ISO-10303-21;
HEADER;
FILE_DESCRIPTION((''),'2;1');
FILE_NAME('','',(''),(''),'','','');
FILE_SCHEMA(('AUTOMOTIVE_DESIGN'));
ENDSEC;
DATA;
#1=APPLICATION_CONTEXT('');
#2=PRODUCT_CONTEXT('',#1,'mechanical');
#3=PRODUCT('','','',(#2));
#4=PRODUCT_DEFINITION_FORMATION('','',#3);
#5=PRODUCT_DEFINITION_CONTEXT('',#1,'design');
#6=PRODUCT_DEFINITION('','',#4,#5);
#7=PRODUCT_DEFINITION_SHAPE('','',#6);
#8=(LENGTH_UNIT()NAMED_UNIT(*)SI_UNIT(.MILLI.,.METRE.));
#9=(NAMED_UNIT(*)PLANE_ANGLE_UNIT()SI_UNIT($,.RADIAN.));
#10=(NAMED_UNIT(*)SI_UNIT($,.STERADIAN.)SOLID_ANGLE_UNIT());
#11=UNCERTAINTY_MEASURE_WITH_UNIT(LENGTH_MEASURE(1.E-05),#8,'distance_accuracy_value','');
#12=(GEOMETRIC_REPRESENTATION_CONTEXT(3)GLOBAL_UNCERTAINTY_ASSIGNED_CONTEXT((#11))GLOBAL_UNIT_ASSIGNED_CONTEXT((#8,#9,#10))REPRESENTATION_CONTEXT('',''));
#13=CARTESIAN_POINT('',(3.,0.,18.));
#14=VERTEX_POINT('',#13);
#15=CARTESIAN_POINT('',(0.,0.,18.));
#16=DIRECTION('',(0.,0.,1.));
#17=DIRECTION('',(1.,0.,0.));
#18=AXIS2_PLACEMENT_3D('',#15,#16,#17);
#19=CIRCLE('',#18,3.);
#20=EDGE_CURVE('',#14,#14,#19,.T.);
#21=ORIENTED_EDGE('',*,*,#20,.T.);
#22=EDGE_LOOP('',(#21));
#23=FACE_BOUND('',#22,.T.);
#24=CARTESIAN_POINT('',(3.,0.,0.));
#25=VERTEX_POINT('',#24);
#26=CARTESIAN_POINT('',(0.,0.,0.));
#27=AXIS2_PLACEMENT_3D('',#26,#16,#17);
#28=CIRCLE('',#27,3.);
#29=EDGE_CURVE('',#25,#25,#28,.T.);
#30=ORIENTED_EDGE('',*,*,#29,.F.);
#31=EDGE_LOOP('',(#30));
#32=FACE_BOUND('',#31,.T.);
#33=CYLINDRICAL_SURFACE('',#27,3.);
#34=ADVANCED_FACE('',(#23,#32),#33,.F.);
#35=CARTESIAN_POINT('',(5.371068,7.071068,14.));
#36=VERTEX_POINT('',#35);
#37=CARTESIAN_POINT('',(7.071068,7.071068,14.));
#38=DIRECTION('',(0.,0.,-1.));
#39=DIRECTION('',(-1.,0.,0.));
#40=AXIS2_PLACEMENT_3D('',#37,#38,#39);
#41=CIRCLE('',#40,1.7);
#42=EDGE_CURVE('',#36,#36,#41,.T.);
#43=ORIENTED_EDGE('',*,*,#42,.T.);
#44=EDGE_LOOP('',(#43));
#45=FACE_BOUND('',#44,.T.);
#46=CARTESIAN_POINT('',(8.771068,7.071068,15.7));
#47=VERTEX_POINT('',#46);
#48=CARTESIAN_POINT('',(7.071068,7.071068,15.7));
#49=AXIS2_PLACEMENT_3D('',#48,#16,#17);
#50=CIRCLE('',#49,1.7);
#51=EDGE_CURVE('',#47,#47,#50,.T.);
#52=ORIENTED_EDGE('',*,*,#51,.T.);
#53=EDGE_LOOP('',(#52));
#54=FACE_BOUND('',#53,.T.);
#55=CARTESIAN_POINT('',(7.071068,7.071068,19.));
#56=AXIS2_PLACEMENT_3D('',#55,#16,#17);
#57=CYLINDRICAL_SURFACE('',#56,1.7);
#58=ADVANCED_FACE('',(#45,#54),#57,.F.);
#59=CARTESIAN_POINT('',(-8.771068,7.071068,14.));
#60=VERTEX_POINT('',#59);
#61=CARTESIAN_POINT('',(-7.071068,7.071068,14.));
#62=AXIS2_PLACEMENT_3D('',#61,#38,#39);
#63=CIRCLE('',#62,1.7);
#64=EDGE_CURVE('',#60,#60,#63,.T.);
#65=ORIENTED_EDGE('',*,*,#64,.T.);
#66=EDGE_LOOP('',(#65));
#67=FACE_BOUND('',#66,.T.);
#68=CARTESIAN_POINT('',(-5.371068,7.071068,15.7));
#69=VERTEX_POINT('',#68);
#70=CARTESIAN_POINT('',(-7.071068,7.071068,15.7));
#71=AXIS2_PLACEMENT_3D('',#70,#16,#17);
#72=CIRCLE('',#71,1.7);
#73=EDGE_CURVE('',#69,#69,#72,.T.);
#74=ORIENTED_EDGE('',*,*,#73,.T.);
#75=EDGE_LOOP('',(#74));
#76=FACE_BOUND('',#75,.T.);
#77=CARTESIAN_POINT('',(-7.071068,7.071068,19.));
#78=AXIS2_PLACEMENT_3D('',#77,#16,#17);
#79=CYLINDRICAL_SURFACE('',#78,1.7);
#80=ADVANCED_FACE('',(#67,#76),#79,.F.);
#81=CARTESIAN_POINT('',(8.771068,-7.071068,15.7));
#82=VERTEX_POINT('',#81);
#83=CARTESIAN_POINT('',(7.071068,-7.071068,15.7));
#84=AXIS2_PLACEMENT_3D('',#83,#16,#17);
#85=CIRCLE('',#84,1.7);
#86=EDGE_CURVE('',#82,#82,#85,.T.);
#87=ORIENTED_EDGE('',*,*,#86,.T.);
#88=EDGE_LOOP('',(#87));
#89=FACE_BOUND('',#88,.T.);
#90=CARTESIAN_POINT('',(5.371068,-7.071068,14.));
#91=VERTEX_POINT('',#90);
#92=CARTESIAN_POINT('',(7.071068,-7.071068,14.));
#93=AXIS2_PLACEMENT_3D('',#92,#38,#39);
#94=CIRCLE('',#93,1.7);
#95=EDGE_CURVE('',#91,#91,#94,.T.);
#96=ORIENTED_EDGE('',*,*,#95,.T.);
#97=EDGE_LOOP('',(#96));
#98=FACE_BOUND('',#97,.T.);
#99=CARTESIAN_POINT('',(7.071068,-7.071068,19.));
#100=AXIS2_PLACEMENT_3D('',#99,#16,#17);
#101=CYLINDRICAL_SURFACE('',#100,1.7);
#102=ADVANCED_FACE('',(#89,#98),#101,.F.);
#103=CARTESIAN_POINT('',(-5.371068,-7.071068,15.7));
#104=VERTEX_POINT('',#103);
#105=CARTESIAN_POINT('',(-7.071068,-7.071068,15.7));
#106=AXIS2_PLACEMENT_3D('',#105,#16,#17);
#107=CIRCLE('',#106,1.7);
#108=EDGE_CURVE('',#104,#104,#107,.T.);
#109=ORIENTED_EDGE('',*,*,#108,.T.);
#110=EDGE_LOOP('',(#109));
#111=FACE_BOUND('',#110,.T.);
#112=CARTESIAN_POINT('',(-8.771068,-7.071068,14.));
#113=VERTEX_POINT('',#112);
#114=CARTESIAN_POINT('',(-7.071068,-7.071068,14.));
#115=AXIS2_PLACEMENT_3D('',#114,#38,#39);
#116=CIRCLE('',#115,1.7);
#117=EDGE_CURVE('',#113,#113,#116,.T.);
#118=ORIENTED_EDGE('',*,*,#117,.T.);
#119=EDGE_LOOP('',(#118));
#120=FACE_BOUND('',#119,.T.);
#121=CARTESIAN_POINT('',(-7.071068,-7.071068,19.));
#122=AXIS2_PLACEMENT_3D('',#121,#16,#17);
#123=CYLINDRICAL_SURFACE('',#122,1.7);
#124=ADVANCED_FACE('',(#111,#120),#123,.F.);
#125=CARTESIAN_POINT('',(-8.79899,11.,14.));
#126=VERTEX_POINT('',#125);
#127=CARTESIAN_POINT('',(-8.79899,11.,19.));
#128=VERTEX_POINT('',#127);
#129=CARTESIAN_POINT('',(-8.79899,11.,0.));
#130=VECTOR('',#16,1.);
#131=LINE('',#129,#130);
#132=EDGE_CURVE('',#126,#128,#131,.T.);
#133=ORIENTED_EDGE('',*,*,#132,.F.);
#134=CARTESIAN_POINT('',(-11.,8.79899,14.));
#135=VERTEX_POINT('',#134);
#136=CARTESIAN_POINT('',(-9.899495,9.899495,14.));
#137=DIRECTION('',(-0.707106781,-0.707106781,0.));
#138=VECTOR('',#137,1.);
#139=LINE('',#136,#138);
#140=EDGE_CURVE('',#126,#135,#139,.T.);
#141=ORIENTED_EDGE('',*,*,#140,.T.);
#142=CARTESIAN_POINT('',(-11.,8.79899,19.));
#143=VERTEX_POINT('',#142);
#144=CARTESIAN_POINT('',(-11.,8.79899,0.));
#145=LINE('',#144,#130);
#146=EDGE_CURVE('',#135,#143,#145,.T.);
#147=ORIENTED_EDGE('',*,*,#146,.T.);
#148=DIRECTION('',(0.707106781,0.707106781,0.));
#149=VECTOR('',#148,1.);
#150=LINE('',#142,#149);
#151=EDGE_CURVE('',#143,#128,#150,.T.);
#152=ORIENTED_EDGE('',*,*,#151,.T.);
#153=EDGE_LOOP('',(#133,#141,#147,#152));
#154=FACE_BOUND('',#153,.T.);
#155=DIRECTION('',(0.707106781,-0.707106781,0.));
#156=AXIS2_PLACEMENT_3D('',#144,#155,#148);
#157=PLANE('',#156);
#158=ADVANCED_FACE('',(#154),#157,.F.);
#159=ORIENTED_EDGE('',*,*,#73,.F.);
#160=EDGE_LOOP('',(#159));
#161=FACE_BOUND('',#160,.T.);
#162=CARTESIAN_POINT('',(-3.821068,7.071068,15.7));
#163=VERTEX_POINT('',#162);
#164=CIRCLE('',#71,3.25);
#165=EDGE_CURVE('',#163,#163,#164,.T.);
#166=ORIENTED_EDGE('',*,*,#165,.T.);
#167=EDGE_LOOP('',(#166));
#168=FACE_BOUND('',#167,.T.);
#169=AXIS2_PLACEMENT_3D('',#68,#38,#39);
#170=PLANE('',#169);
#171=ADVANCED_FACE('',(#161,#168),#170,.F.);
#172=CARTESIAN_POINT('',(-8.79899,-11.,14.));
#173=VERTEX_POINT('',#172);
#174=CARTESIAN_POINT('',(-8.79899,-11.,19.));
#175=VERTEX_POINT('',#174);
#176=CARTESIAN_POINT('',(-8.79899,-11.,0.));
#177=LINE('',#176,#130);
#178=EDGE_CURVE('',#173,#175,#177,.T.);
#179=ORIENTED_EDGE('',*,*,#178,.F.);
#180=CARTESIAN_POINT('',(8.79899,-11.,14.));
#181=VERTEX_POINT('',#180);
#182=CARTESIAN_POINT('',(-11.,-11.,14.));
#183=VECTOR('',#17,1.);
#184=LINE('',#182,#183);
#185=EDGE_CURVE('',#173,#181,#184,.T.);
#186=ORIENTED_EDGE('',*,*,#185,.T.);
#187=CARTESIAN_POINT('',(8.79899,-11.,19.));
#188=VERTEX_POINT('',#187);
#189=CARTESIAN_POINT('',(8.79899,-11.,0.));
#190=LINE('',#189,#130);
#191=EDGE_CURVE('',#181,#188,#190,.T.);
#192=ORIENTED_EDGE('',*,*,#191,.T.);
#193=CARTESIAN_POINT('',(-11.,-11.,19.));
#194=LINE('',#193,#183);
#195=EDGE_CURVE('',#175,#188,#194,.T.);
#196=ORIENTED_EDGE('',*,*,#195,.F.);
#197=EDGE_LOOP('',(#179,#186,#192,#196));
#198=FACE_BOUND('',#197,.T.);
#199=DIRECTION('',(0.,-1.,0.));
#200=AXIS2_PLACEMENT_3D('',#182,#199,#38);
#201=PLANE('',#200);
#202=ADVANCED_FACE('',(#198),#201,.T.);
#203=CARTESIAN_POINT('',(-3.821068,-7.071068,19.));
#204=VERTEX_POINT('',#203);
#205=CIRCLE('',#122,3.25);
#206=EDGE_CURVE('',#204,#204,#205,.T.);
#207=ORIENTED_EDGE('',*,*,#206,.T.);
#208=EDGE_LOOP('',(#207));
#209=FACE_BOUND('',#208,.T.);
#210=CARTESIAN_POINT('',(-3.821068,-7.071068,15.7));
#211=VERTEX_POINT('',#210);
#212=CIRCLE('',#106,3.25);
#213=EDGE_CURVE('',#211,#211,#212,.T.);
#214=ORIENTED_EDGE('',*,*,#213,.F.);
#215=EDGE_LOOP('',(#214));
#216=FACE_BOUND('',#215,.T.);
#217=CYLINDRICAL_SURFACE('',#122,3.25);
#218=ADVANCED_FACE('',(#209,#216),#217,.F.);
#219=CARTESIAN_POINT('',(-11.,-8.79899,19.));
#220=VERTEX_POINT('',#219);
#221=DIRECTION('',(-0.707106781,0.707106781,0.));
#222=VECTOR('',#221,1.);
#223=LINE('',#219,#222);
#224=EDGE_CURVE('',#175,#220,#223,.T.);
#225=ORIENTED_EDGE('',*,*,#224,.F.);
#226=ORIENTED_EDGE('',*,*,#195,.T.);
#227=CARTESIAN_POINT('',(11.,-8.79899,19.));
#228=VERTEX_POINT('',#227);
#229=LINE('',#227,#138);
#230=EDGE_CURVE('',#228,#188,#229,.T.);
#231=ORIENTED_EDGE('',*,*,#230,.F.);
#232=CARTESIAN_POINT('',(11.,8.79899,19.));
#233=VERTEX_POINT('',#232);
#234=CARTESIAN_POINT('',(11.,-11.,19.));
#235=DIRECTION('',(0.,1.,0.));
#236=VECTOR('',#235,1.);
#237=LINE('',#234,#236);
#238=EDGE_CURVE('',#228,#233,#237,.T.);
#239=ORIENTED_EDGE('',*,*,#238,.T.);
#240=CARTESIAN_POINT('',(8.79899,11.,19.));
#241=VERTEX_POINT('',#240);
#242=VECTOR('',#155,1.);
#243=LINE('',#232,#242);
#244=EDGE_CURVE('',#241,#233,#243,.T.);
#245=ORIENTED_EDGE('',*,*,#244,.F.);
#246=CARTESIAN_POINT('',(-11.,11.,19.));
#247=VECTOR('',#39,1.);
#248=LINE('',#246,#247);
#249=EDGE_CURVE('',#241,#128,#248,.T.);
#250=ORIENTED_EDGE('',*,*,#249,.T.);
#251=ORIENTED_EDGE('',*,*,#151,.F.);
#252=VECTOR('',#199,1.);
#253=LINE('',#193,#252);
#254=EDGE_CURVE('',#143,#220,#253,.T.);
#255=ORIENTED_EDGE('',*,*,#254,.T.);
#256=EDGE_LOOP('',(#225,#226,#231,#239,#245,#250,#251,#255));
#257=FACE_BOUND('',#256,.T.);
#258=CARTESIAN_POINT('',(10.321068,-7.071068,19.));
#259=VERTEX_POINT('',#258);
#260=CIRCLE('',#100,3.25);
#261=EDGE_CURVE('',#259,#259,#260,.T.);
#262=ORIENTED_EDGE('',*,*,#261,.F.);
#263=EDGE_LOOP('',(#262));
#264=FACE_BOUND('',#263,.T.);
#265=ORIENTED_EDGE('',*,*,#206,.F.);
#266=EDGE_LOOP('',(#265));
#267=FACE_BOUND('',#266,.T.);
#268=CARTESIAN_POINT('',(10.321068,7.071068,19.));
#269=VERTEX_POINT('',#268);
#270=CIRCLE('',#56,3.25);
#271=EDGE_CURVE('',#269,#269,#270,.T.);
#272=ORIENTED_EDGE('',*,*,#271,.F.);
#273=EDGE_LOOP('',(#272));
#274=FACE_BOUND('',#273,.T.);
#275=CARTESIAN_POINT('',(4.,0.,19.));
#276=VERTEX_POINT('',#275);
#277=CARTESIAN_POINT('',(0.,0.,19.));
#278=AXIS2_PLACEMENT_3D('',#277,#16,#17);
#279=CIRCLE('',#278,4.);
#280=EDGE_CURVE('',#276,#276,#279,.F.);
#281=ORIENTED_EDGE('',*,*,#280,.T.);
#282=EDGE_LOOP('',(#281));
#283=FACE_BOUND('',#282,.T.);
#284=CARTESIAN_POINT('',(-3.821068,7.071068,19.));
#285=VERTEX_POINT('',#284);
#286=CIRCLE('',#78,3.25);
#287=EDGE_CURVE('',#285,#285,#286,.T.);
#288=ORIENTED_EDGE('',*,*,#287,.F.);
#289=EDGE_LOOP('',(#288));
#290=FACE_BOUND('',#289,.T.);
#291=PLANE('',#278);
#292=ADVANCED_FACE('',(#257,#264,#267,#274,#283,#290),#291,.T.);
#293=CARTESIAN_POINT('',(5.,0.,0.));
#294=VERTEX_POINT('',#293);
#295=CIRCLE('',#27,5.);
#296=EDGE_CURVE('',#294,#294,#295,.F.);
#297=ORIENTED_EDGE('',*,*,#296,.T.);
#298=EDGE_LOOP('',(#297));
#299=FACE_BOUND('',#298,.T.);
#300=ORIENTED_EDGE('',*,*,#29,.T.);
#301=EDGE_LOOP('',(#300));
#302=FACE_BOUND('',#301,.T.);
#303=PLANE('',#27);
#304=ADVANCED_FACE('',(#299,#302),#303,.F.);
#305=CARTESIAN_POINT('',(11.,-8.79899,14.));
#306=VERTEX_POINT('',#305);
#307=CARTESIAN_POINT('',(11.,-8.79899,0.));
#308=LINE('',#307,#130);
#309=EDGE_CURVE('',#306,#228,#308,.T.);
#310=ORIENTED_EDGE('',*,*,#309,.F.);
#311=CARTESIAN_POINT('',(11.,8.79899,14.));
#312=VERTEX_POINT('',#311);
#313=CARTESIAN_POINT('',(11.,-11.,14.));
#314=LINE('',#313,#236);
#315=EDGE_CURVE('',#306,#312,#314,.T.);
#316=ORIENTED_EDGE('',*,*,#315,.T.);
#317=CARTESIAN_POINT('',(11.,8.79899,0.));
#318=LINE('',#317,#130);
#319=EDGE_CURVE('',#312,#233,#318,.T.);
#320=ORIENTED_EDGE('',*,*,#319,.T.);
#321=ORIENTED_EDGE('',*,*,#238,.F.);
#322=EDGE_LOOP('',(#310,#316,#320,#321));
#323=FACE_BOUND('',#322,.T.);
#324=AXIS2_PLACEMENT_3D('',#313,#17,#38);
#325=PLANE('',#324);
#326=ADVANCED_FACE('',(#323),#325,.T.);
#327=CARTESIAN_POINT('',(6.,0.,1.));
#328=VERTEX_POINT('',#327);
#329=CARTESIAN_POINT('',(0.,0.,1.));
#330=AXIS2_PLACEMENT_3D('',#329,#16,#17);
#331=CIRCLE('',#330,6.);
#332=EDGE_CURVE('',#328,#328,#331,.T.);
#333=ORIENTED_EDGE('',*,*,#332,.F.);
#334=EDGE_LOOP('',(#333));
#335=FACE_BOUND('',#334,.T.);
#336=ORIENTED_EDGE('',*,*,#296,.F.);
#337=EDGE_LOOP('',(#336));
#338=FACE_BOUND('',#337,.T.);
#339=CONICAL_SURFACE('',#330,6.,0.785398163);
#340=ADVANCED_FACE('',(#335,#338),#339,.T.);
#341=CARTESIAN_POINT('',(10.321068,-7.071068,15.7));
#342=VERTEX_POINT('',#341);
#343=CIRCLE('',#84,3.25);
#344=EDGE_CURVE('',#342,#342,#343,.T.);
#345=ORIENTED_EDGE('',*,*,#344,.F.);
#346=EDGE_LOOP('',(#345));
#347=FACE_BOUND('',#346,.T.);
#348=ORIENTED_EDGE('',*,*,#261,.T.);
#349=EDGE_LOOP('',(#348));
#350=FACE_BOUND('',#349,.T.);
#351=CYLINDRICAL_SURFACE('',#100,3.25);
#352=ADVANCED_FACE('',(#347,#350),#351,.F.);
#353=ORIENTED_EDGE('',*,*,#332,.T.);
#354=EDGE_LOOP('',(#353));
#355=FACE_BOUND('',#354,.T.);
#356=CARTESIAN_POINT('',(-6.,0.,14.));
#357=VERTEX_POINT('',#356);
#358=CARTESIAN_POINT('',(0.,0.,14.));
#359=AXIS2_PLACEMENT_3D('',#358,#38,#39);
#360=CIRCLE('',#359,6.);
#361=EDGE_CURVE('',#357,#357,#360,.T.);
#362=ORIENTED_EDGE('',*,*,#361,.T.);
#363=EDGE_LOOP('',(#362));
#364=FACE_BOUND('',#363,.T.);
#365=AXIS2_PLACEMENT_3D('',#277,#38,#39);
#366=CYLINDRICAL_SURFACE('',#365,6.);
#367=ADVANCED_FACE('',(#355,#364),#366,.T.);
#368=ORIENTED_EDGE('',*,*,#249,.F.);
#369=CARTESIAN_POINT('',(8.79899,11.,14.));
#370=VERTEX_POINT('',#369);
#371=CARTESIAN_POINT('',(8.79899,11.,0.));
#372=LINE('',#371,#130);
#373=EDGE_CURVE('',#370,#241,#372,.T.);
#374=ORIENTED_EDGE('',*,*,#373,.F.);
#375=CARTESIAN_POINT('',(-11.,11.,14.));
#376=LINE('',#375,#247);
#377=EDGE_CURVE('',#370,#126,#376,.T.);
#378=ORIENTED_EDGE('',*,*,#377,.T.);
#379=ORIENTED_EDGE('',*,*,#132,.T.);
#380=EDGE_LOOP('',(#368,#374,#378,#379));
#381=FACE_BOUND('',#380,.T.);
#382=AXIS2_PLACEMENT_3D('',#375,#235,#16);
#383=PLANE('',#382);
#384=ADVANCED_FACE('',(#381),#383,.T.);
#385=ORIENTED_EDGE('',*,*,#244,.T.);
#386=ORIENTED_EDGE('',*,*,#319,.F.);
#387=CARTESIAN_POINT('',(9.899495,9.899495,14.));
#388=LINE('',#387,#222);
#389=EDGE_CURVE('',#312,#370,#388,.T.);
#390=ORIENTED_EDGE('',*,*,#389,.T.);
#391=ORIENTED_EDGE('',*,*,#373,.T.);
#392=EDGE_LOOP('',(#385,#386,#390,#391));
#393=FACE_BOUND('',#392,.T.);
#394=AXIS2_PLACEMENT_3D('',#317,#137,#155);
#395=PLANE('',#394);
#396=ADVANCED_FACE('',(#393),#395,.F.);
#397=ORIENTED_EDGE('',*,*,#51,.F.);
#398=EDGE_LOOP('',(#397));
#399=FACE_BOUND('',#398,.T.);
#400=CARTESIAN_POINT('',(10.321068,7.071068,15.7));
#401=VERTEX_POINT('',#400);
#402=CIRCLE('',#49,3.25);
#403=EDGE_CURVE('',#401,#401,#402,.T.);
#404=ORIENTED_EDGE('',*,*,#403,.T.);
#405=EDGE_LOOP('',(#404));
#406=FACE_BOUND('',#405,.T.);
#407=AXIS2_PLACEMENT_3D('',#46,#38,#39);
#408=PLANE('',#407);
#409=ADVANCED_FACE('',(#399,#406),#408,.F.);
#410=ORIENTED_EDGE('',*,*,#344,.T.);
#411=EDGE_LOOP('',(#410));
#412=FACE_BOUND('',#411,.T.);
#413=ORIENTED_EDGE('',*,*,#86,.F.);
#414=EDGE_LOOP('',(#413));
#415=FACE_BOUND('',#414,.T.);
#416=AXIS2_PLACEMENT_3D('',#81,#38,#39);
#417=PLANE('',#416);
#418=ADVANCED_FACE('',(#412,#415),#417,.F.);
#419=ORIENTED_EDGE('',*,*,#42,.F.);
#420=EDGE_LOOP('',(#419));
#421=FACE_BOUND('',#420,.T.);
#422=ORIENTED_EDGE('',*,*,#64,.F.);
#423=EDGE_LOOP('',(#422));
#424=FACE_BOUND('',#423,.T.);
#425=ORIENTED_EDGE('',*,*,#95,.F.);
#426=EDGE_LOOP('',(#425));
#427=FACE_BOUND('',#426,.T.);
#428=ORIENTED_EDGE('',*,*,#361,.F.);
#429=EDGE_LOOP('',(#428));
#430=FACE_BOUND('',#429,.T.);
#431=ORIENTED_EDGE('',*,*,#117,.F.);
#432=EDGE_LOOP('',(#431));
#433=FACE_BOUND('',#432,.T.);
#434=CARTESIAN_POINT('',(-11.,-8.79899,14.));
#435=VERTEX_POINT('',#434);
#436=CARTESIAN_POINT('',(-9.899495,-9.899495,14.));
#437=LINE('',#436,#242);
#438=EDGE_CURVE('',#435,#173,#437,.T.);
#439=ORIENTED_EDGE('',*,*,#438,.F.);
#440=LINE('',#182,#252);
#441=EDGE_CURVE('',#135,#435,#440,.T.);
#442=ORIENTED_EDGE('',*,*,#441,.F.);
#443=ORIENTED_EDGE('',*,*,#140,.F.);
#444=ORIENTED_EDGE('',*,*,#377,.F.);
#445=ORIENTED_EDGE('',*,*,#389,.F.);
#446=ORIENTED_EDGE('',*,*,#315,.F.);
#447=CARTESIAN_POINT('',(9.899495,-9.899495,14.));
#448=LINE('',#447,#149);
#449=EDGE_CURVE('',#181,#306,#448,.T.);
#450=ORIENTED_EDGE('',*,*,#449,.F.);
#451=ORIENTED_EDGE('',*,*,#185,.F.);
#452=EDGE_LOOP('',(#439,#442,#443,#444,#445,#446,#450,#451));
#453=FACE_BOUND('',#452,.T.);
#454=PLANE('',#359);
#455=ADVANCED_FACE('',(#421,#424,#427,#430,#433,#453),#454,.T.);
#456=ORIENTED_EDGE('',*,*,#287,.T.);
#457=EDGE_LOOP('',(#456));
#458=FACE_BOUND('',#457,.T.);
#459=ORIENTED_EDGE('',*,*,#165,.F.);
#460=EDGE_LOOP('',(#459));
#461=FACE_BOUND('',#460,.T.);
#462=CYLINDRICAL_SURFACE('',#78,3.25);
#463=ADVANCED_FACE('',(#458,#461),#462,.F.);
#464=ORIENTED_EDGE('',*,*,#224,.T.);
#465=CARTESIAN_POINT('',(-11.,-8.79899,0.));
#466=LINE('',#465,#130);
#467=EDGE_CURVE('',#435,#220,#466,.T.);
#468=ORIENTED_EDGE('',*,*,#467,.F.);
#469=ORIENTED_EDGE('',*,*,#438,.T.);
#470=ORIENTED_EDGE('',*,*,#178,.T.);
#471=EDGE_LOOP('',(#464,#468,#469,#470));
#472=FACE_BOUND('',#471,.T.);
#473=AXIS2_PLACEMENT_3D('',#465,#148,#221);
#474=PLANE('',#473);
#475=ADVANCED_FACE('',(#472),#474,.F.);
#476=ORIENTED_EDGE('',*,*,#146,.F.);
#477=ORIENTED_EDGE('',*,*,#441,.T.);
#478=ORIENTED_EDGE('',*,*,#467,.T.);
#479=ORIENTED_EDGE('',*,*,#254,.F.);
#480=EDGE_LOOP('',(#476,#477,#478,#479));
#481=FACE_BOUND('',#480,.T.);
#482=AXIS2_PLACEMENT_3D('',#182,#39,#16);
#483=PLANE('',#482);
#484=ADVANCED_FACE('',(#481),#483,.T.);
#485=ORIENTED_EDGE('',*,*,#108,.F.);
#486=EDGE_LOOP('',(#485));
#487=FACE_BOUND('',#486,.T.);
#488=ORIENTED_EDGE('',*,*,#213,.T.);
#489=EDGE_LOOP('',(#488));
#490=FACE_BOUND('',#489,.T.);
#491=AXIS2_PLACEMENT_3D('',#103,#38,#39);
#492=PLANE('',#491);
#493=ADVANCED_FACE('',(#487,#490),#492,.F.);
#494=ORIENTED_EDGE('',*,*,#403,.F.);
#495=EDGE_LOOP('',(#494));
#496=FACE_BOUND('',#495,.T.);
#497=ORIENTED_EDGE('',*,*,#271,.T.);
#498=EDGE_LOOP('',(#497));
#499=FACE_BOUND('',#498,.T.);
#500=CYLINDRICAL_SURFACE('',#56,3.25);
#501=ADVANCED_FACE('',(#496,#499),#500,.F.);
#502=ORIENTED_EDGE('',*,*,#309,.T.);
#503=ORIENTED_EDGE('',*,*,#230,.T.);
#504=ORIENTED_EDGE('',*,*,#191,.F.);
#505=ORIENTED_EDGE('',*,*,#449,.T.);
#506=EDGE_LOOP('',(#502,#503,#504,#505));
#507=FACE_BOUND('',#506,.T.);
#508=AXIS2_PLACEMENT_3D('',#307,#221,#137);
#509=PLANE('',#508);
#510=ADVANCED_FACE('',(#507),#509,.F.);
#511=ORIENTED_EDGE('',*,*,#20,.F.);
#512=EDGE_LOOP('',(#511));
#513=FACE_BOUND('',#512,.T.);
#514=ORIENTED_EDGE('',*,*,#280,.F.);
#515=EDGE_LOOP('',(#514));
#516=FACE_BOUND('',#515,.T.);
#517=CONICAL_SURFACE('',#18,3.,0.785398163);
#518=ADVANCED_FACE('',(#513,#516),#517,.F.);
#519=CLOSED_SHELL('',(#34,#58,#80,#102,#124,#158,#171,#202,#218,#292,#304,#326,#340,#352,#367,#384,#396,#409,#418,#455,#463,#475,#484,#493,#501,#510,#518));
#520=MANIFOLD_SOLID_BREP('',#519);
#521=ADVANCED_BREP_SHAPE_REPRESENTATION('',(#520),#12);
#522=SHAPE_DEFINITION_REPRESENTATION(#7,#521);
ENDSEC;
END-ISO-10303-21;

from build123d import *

# Parameters (mm, degrees)
SKETCH1_R                                           = 6
BOSS_EXTRUDE1_DEPTH                                 = 19
SKETCH2_W                                           = 22
SKETCH2_H                                           = 22
BOSS_EXTRUDE2_DEPTH                                 = 5
CUT_EXTRUDE1_DEPTH                                  = 25.556058316
CBORE_FOR_M3_HEX_SOCKET_HEAD_CAP_SCREW1_D           = 3.4
CBORE_FOR_M3_HEX_SOCKET_HEAD_CAP_SCREW1_DEPTH       = 22
CBORE_FOR_M3_HEX_SOCKET_HEAD_CAP_SCREW1_CBORE_D     = 6.5
CBORE_FOR_M3_HEX_SOCKET_HEAD_CAP_SCREW1_CBORE_DEPTH = 3.3
CBORE_FOR_M3_HEX_SOCKET_HEAD_CAP_SCREW1_TIP         = 1.021463052
SKETCH8_R                                           = 3
CUT_EXTRUDE2_DEPTH                                  = 25.556058316
CHAMFER1_SIZE                                       = 1


with BuildPart() as part:
    # Sketch1 → Boss-Extrude1 (new body)
    with BuildSketch(Plane.XY):
        Circle(SKETCH1_R)
    extrude(amount=BOSS_EXTRUDE1_DEPTH)

    # Sketch2 → Boss-Extrude2 (add)
    with BuildSketch(Plane.XY.offset(19)):
        Rectangle(SKETCH2_W, SKETCH2_H)
    extrude(amount=-BOSS_EXTRUDE2_DEPTH)

    # Sketch4 → Cut-Extrude1 (cut, through all)
    with BuildSketch(Plane.XY.offset(19)):
        Polygon((-11, 11), (-11, 8.798989873), (-8.798989873, 11), align=None)
        Polygon((8.798989873, 11), (11, 11), (11, 8.798989873), align=None)
        Polygon((11, -11), (11, -8.798989873), (8.798989873, -11), align=None)
        Polygon((-8.798989873, -11), (-11, -11), (-11, -8.798989873), align=None)
    extrude(amount=-CUT_EXTRUDE1_DEPTH, mode=Mode.SUBTRACT)

    # CBORE for M3 Hex Socket Head Cap Screw1
    with Locations(Plane.XY.offset(19)):
        with Locations((-7.071067812, 7.071067812), (7.071067812, 7.071067812), (7.071067812, -7.071067812), (-7.071067812, -7.071067812)):
            CounterBoreHole(CBORE_FOR_M3_HEX_SOCKET_HEAD_CAP_SCREW1_D / 2, CBORE_FOR_M3_HEX_SOCKET_HEAD_CAP_SCREW1_CBORE_D / 2, CBORE_FOR_M3_HEX_SOCKET_HEAD_CAP_SCREW1_CBORE_DEPTH, depth=CBORE_FOR_M3_HEX_SOCKET_HEAD_CAP_SCREW1_DEPTH)
            with Locations((0, 0, -(CBORE_FOR_M3_HEX_SOCKET_HEAD_CAP_SCREW1_DEPTH + CBORE_FOR_M3_HEX_SOCKET_HEAD_CAP_SCREW1_TIP / 2))):  # 118° drill point
                Cone(0, CBORE_FOR_M3_HEX_SOCKET_HEAD_CAP_SCREW1_D / 2, CBORE_FOR_M3_HEX_SOCKET_HEAD_CAP_SCREW1_TIP, mode=Mode.SUBTRACT)

    # Sketch8 → Cut-Extrude2 (cut, through all)
    with BuildSketch(Plane.XY.offset(19)):
        Circle(SKETCH8_R)
    extrude(amount=-CUT_EXTRUDE2_DEPTH, mode=Mode.SUBTRACT)

    # Chamfer1
    chamfer1_edges = [part.edges().sort_by_distance(p)[0] for p in [
        (-3, 0, 19),
        (-6, 0, 0),
    ]]
    chamfer(chamfer1_edges, length=CHAMFER1_SIZE)


solid = part.part
